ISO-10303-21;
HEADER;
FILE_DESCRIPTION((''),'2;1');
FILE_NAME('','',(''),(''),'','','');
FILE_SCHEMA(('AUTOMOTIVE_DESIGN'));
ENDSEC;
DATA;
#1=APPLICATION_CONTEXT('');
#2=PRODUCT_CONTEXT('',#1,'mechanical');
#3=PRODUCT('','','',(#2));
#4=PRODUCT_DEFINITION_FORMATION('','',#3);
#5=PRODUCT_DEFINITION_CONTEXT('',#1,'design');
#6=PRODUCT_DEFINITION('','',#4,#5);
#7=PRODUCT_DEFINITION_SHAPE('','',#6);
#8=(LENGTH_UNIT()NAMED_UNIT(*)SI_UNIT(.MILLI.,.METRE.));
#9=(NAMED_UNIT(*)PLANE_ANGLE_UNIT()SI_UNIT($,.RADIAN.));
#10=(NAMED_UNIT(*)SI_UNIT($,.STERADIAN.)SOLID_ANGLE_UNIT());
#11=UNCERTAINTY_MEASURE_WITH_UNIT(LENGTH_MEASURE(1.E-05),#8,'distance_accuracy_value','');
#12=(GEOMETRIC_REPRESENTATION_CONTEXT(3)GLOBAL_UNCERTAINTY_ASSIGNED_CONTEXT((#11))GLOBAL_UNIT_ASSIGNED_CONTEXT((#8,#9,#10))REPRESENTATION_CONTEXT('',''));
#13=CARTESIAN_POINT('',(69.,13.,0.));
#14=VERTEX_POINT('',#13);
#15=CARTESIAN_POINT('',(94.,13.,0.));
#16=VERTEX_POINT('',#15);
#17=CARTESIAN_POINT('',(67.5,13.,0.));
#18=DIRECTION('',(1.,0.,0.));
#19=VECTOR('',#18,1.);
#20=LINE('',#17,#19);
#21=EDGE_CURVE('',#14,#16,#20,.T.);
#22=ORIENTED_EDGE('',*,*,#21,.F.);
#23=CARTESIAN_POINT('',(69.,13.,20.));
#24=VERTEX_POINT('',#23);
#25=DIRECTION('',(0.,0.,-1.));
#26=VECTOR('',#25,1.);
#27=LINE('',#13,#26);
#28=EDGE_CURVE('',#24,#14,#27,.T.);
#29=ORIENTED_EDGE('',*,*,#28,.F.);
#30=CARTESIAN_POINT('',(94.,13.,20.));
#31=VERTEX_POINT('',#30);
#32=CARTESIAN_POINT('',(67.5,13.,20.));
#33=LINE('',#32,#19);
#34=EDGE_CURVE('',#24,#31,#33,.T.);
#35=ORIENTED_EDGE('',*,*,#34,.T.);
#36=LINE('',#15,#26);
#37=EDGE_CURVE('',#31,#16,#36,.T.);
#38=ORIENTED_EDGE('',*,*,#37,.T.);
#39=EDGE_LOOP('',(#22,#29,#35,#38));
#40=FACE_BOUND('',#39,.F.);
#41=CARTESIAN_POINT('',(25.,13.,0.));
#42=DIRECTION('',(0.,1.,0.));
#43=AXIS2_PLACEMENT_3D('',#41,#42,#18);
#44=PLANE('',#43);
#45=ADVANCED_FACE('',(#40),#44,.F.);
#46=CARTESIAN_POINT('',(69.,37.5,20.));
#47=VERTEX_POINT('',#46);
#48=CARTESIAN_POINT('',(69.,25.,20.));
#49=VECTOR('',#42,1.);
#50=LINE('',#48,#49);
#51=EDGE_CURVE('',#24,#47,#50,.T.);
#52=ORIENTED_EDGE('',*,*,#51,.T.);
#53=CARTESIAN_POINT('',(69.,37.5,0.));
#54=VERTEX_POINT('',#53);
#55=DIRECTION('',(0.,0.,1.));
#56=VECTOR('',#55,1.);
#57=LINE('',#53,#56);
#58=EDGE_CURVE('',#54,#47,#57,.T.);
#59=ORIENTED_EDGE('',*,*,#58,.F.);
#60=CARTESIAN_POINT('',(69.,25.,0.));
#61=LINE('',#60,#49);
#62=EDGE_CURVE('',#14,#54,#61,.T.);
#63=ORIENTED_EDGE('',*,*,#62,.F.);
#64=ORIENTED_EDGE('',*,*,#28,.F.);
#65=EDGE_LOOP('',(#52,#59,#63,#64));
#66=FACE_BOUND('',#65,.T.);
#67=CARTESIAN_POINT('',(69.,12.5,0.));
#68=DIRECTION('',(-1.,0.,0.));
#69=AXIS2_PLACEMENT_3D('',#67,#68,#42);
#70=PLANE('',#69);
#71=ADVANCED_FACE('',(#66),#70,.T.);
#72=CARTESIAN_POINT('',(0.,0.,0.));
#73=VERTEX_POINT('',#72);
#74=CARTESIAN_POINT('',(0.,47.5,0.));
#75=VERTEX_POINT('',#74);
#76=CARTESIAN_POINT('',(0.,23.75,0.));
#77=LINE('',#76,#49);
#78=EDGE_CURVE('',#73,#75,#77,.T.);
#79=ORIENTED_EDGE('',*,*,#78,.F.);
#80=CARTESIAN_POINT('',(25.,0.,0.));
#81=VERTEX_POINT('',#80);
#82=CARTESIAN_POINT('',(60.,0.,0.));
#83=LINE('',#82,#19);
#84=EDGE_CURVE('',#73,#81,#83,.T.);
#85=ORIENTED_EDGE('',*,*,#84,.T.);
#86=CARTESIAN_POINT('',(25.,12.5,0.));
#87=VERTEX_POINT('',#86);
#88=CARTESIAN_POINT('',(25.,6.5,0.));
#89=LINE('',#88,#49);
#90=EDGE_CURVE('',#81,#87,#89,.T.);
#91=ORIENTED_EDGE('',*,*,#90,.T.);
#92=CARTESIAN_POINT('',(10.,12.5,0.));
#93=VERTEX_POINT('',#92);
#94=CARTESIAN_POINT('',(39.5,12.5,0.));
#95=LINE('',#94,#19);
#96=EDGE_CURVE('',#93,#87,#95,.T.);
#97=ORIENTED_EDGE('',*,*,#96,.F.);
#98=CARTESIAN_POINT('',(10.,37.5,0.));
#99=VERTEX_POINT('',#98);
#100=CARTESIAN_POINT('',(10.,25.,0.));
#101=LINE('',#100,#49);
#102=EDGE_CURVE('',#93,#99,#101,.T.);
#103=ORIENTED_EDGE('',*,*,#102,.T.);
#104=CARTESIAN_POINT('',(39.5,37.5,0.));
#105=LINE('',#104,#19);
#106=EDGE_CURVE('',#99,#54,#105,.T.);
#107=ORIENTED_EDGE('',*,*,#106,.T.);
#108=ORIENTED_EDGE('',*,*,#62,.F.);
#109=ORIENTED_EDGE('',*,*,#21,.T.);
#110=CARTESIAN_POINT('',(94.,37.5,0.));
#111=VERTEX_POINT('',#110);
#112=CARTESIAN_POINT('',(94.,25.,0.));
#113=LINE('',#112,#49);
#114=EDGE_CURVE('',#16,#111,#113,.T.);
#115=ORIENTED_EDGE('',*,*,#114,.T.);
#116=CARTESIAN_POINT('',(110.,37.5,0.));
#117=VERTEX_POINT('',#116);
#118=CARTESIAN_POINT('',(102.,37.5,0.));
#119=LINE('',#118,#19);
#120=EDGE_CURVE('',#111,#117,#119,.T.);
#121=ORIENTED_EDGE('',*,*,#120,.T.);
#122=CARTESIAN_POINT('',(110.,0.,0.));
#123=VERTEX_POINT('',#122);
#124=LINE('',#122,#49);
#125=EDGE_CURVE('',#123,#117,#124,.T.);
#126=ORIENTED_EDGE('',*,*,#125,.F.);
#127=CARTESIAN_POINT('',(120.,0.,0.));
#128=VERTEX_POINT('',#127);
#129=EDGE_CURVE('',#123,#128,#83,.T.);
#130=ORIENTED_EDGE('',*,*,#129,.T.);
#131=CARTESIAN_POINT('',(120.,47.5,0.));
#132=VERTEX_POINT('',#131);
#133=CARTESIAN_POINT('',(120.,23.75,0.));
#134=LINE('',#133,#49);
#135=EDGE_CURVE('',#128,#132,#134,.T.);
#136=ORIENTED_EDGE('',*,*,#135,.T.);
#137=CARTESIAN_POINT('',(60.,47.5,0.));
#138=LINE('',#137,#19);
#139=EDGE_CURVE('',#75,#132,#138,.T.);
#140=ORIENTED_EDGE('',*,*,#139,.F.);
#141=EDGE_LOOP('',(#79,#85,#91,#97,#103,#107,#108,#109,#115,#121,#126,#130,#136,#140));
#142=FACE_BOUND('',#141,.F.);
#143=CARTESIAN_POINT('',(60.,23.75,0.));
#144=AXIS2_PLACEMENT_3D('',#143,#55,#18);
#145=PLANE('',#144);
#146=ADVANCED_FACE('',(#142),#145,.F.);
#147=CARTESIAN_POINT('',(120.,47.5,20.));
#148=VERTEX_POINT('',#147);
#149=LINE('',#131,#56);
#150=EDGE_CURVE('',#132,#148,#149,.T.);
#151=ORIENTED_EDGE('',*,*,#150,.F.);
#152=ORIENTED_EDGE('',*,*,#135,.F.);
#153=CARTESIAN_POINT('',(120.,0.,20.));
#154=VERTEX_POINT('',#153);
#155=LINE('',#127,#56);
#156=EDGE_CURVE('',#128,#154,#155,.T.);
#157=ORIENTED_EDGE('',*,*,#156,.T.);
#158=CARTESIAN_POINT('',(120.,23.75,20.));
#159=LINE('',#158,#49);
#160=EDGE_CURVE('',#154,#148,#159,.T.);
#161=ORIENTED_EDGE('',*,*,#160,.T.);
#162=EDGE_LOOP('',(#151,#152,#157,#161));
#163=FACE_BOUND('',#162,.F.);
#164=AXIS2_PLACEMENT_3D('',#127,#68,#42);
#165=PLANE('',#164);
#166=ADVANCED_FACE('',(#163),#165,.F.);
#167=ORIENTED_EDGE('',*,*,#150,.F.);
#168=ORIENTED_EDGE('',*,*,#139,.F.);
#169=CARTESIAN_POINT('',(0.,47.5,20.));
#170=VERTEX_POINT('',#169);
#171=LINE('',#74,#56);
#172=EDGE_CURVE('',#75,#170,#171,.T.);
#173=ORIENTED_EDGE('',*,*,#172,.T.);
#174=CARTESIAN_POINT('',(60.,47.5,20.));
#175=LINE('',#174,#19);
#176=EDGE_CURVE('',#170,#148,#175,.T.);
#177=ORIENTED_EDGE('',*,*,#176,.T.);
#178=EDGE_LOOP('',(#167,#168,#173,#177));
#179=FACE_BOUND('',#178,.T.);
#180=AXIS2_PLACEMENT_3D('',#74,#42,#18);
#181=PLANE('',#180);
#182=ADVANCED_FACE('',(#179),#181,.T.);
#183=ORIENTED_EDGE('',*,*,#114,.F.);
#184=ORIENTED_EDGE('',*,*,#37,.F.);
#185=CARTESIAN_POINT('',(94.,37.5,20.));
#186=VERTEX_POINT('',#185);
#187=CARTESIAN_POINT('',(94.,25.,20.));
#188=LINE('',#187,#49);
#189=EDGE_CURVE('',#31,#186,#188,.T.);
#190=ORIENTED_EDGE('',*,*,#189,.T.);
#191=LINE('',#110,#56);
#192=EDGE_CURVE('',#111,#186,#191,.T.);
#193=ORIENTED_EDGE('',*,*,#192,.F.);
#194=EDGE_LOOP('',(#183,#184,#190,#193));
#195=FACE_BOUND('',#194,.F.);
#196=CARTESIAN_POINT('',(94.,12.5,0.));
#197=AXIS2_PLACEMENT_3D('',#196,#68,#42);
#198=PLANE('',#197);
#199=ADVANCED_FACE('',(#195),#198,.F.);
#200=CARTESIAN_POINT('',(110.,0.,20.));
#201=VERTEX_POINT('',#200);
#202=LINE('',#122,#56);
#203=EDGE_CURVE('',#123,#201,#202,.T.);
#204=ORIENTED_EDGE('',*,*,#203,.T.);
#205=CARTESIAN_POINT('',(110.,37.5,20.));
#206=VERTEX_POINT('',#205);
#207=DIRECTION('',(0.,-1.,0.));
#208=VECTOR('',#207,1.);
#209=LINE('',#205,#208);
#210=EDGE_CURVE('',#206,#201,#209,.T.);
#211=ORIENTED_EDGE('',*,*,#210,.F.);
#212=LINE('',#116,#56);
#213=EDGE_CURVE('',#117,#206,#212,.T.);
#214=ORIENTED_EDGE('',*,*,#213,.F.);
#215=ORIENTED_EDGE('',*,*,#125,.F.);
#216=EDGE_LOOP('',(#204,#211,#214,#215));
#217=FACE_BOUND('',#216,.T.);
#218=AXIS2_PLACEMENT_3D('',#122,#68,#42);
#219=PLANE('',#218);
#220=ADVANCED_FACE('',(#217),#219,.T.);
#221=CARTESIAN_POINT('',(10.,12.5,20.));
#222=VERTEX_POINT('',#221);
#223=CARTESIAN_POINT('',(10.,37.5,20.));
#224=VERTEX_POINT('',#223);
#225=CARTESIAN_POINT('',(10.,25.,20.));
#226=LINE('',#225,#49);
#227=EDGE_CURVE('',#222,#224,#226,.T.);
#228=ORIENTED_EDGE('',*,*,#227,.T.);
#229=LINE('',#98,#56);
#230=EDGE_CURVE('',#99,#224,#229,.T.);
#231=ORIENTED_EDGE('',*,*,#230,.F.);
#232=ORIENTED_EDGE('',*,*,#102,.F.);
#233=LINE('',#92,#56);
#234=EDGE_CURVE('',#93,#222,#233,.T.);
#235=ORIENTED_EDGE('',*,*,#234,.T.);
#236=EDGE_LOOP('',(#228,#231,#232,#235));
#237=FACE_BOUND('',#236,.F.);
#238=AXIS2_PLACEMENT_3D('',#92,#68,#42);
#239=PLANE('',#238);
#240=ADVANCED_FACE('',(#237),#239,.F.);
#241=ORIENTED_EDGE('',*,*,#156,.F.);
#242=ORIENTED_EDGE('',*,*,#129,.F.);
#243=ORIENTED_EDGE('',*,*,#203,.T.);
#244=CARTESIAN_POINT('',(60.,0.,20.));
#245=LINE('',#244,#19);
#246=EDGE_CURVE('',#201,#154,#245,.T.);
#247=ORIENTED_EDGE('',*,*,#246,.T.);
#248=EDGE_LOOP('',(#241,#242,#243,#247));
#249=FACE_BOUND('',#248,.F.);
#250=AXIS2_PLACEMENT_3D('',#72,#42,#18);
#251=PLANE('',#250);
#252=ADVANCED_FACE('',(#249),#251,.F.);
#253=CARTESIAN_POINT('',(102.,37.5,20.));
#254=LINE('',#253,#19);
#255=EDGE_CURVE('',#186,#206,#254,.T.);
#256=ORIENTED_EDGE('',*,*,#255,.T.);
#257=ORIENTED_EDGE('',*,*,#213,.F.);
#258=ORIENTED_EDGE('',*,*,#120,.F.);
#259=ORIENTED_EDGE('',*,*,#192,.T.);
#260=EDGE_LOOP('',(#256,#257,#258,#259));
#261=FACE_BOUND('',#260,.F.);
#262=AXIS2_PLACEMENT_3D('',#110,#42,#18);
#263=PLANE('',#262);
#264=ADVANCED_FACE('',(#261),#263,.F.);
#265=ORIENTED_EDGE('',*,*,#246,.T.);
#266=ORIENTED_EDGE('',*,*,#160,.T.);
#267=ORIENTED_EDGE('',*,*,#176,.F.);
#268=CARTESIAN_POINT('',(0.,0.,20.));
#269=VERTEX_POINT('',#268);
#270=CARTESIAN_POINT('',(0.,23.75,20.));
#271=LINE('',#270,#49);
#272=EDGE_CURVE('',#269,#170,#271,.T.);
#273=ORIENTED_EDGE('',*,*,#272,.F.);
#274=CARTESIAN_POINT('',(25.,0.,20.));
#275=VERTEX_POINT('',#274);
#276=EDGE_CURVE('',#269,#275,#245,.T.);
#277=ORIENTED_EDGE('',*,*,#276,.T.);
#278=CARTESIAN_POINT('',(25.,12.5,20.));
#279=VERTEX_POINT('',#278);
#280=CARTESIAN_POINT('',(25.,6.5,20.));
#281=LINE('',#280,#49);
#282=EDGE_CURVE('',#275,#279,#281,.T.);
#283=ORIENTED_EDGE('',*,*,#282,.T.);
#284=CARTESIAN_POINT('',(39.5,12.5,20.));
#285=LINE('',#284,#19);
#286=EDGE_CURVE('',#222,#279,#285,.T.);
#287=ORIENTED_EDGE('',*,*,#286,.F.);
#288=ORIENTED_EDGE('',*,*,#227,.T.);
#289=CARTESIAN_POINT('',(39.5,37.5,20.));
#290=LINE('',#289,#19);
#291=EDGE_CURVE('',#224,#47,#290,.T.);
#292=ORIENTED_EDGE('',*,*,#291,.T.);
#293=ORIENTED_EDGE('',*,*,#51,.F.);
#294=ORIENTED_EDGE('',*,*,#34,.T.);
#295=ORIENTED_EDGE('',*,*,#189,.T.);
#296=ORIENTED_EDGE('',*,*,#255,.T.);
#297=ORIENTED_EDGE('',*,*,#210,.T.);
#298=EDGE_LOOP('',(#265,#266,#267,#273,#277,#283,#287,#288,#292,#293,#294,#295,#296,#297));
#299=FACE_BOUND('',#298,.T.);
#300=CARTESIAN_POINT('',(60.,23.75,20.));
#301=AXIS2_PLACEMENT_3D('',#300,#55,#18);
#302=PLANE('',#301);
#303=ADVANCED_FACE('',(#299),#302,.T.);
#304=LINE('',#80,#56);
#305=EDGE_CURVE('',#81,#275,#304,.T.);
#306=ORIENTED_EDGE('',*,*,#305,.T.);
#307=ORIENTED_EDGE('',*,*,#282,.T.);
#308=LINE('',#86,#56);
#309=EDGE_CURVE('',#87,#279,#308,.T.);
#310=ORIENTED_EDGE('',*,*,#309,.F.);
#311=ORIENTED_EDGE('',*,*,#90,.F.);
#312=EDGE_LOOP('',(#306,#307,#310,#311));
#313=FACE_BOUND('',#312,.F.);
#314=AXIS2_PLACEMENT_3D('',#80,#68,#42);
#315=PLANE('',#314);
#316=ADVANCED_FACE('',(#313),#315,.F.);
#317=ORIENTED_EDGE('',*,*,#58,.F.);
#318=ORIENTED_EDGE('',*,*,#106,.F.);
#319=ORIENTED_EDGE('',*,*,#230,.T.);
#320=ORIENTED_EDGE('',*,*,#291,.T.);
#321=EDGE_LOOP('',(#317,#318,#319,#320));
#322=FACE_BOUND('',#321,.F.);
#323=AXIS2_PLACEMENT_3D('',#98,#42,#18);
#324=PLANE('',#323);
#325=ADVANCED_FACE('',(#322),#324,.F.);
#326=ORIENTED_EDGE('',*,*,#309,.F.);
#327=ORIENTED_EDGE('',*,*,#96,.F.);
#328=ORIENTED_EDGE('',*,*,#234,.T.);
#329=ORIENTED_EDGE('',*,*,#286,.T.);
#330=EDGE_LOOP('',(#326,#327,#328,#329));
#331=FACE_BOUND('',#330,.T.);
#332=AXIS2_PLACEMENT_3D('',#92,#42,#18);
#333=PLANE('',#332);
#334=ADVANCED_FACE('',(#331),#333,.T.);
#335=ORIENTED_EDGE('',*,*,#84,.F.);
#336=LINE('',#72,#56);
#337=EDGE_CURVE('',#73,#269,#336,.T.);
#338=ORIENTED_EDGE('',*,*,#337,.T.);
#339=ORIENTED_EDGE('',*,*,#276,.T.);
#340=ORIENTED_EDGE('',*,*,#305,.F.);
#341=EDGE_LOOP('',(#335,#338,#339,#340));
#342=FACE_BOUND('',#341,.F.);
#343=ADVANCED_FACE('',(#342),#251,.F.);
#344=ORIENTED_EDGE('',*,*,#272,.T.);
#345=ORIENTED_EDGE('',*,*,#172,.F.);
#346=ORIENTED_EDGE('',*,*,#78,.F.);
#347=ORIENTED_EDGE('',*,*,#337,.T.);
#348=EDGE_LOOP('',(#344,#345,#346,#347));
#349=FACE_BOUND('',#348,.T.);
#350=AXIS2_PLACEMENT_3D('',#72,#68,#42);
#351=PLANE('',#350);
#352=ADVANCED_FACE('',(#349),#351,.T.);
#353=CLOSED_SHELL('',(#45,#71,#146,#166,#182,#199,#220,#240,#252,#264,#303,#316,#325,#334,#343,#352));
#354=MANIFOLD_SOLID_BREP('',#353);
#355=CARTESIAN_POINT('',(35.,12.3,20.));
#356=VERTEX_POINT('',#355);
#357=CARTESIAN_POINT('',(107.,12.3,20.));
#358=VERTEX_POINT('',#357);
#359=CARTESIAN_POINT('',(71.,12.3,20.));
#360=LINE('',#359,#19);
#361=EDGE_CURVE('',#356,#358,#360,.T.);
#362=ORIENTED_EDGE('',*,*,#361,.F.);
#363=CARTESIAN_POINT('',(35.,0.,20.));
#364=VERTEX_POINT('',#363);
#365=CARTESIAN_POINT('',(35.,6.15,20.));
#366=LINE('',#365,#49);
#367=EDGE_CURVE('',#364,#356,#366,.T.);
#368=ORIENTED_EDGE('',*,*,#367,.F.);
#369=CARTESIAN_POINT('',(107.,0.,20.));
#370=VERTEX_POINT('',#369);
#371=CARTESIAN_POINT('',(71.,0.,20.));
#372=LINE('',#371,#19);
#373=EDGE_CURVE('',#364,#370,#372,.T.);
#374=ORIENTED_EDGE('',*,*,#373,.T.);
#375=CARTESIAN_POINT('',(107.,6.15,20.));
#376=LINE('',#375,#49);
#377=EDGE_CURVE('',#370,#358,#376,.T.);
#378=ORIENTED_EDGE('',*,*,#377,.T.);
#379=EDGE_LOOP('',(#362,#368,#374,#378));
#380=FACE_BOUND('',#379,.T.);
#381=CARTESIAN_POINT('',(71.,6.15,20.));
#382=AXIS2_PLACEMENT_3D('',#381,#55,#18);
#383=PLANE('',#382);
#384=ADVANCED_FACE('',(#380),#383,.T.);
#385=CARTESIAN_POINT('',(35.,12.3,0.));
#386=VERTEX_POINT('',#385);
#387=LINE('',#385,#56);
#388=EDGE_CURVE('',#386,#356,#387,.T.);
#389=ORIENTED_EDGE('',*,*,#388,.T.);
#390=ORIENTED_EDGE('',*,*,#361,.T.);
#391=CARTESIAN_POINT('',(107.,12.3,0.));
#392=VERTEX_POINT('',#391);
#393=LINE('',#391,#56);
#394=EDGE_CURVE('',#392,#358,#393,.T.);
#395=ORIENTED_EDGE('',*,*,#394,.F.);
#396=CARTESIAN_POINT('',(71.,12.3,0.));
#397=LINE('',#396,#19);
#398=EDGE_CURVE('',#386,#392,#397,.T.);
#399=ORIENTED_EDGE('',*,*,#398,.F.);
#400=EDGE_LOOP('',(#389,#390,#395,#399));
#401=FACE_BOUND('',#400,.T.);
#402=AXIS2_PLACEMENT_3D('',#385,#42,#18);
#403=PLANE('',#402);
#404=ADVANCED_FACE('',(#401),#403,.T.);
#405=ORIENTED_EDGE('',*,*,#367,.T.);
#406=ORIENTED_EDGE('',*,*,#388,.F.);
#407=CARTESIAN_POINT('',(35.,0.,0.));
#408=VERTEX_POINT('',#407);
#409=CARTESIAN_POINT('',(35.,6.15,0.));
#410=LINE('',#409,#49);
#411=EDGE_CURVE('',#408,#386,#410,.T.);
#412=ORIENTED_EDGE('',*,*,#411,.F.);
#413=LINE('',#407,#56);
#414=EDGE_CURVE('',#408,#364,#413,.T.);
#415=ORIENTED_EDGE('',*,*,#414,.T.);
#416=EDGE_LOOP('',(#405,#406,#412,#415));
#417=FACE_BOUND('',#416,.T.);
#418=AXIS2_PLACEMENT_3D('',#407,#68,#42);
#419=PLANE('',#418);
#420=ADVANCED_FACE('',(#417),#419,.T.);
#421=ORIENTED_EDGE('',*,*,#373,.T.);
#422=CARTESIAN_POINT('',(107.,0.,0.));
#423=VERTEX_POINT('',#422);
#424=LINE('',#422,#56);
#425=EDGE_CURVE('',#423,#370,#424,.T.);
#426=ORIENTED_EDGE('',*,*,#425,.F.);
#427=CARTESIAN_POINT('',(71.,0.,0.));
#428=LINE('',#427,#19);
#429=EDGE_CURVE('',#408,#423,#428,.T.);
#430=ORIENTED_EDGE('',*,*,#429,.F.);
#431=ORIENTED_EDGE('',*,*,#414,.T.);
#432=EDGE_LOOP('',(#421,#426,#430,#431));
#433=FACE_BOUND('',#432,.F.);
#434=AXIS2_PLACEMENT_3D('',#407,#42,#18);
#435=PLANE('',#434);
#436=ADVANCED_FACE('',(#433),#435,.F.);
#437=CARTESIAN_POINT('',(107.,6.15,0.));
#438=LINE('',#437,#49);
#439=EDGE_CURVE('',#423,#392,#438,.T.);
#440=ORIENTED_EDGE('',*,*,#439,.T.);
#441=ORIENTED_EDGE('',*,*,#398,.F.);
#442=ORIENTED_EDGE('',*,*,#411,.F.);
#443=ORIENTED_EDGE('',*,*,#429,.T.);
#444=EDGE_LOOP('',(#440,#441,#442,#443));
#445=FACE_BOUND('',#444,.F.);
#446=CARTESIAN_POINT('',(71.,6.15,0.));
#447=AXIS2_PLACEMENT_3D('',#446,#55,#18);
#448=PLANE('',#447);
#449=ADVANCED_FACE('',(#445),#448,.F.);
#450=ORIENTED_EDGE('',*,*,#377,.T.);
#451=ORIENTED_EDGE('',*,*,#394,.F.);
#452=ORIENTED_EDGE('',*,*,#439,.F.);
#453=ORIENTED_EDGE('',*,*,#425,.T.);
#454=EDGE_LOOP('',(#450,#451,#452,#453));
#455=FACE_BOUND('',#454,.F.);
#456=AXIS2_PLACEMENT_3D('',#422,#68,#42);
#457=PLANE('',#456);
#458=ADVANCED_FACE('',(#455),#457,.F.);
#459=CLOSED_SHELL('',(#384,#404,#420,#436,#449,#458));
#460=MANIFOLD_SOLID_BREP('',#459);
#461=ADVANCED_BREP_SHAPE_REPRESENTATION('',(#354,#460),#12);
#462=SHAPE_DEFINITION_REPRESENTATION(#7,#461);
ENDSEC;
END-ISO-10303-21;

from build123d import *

# Parameters (mm, degrees)
BOX003_W     = 85
BOX003_H     = 13
BOX003_DEPTH = 20
BOX002_W     = 16
BOX002_H     = 25
BOX002_DEPTH = 20
BOX001_W     = 59
BOX001_H     = 25
BOX001_DEPTH = 20
BOX_W        = 120
BOX_H        = 47.5
BOX_DEPTH    = 20
BOX004_W     = 72
BOX004_H     = 12.3
BOX004_DEPTH = 20


with BuildPart() as cube003:
    # Box003 → Box003 (new body)
    with BuildSketch(Plane(origin=(25, 0, 0), x_dir=(1, 0, 0), z_dir=(0, 0, 1))):
        with Locations((42.5, 6.5)):
            Rectangle(BOX003_W, BOX003_H)
    extrude(amount=BOX003_DEPTH)


with BuildPart() as cube002:
    # Box002 → Box002 (new body)
    with BuildSketch(Plane(origin=(94, 12.5, 0), x_dir=(1, 0, 0), z_dir=(0, 0, 1))):
        with Locations((8, 12.5)):
            Rectangle(BOX002_W, BOX002_H)
    extrude(amount=BOX002_DEPTH)


with BuildPart() as cube001:
    # Box001 → Box001 (new body)
    with BuildSketch(Plane(origin=(10, 12.5, 0), x_dir=(1, 0, 0), z_dir=(0, 0, 1))):
        with Locations((29.5, 12.5)):
            Rectangle(BOX001_W, BOX001_H)
    extrude(amount=BOX001_DEPTH)


with BuildPart() as cut002:
    # Box → Box (new body)
    with BuildSketch(Plane.XY):
        with Locations((60, 23.75)):
            Rectangle(BOX_W, BOX_H)
    extrude(amount=BOX_DEPTH)

    # Cut: cut Cube001
    add(cube001.part, mode=Mode.SUBTRACT)

    # Cut001: cut Cube002
    add(cube002.part, mode=Mode.SUBTRACT)

    # Cut002: cut Cube003
    add(cube003.part, mode=Mode.SUBTRACT)


with BuildPart() as cube004:
    # Box004 → Box004 (new body)
    with BuildSketch(Plane(origin=(35, 0, 0), x_dir=(1, 0, 0), z_dir=(0, 0, 1))):
        with Locations((36, 6.15)):
            Rectangle(BOX004_W, BOX004_H)
    extrude(amount=BOX004_DEPTH)


solid = Compound([cut002.part, cube004.part])
